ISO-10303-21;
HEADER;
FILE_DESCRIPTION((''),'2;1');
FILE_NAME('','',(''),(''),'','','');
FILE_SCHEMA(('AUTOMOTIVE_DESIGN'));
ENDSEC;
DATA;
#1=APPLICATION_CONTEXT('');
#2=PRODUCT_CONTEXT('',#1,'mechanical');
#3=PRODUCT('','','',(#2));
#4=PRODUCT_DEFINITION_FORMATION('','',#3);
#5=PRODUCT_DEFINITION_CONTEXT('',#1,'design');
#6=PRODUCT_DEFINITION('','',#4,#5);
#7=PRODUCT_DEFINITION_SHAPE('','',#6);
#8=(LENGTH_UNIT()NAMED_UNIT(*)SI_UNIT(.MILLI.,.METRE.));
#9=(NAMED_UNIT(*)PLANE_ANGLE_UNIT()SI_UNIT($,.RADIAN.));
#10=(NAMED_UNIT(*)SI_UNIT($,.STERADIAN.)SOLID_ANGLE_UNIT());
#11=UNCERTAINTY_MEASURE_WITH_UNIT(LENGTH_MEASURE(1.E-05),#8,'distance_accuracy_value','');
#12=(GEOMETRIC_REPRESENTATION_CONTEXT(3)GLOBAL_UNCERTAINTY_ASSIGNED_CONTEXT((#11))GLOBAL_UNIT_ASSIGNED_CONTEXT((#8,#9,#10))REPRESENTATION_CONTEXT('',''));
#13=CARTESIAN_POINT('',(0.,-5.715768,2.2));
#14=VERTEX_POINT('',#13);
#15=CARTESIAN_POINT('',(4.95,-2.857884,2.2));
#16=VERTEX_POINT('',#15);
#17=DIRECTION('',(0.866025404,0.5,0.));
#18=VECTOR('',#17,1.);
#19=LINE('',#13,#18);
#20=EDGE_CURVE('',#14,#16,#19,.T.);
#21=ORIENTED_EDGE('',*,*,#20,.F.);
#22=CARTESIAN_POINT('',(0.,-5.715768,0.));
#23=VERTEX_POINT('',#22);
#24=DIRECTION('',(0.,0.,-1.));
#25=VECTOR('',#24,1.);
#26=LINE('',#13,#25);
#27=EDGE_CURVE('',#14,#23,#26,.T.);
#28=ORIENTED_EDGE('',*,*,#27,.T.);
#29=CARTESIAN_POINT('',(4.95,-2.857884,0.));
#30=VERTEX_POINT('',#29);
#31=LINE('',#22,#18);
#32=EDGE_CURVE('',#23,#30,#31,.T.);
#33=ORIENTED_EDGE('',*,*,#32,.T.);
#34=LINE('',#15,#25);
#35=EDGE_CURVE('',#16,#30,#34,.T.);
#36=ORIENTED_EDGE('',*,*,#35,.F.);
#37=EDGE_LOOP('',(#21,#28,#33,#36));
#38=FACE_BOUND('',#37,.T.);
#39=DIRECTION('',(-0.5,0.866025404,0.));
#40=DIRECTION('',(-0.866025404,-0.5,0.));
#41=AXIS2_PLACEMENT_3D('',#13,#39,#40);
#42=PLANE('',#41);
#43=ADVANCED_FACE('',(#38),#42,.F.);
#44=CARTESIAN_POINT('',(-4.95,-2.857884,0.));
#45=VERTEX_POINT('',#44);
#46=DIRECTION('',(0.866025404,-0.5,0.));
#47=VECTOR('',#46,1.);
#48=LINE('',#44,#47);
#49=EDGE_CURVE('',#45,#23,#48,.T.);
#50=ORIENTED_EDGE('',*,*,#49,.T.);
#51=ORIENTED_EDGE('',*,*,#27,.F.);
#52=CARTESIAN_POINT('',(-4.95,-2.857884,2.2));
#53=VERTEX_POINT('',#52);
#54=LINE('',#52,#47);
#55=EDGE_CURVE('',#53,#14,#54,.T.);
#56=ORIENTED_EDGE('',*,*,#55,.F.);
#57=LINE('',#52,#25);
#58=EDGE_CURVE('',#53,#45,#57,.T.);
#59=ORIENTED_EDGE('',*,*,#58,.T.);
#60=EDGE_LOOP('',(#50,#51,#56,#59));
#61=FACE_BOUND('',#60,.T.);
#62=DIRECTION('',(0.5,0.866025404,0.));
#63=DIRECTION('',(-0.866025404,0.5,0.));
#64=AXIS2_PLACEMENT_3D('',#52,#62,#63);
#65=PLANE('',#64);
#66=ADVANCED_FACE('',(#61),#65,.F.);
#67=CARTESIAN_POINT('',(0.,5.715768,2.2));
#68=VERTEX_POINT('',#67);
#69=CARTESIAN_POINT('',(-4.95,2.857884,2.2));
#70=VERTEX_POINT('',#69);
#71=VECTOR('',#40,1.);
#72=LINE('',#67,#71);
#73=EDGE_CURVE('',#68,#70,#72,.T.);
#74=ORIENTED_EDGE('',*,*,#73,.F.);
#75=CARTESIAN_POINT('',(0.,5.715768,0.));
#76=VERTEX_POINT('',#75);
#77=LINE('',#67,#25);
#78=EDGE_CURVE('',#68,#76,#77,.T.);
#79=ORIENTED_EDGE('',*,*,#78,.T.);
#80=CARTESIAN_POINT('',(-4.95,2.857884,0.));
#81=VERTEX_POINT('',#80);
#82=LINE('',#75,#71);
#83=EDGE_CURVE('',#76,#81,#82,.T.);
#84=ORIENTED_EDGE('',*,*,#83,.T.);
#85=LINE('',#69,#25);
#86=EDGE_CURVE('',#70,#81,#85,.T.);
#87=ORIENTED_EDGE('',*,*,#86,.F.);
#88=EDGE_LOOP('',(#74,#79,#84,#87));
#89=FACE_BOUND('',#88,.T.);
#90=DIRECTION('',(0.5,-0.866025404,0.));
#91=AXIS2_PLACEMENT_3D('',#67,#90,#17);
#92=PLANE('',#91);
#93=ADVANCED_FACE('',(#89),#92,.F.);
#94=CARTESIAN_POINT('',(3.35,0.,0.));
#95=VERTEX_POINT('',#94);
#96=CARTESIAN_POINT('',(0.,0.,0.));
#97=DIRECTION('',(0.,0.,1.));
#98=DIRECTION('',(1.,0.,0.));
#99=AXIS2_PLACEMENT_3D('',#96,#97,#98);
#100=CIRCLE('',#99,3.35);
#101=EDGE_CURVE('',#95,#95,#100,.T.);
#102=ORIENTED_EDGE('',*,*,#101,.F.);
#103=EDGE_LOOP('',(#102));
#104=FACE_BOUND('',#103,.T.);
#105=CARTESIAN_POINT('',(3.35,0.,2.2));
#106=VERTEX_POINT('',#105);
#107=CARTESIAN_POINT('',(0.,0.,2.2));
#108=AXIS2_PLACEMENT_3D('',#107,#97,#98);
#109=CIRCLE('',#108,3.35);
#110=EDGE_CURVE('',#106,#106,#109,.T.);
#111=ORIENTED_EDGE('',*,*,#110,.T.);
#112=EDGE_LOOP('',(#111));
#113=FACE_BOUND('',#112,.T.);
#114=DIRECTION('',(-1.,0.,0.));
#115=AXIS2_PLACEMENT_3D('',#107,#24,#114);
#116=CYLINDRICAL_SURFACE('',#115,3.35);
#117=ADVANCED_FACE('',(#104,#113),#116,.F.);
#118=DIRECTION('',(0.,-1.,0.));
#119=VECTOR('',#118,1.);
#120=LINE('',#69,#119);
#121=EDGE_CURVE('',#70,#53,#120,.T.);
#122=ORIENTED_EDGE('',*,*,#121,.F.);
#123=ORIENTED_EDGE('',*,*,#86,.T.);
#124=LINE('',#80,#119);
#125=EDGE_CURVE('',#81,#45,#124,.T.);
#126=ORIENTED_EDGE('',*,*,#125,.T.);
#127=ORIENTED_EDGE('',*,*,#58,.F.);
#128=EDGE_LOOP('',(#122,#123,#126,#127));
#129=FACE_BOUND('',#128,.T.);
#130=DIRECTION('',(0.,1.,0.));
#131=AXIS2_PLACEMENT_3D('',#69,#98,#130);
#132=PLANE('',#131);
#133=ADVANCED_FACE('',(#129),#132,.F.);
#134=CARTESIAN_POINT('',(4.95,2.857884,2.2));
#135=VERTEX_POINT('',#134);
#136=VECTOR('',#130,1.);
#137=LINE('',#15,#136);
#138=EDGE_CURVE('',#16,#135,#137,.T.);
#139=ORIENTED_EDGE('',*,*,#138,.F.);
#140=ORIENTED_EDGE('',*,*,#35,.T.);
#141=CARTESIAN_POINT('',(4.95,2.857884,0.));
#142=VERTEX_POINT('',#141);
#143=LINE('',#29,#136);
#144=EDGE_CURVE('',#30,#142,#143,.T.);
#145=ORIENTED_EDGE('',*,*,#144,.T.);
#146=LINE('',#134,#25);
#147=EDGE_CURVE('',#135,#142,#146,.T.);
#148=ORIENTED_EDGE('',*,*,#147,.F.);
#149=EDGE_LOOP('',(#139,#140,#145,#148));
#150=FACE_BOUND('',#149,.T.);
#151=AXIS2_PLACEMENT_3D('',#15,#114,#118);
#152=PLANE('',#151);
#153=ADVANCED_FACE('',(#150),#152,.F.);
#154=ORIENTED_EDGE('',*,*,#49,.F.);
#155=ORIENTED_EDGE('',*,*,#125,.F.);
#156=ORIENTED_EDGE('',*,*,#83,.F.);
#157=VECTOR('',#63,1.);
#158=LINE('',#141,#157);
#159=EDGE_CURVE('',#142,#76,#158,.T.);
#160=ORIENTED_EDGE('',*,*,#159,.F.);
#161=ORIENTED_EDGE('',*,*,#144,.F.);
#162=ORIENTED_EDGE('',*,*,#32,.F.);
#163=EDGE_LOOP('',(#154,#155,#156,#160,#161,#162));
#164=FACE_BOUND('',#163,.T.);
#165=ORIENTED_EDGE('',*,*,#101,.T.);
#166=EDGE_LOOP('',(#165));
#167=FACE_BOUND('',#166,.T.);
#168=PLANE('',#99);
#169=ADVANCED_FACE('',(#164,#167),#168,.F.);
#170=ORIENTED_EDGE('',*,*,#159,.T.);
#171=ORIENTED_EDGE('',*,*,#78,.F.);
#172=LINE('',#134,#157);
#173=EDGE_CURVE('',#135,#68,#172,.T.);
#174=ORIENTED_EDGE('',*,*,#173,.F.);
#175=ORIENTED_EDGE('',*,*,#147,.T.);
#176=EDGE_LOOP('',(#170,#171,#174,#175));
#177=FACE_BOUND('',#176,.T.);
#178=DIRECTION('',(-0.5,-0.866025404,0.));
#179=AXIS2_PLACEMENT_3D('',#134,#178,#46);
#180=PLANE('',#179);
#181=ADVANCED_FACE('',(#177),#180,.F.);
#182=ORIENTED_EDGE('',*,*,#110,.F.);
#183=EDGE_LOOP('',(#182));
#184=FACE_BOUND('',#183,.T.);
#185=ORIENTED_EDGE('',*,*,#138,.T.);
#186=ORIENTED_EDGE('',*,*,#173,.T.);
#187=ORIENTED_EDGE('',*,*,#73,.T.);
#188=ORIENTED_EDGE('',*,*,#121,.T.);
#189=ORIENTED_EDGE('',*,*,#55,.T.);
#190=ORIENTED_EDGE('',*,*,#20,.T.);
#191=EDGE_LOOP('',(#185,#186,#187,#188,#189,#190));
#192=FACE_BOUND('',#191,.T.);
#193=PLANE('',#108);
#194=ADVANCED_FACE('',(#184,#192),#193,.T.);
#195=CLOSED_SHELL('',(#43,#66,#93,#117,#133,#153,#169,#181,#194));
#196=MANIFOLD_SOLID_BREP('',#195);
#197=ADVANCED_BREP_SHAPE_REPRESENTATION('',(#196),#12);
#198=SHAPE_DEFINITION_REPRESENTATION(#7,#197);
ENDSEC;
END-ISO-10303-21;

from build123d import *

# Parameters (mm, degrees)
SKETCH1_R           = 3.35
BOSS_EXTRUDE1_DEPTH = 2.2


with BuildPart() as part:
    # Sketch1 → Boss-Extrude1 (new body)
    with BuildSketch(Plane.XY):
        Polygon((4.95, 2.857883832), (0, 5.715767665), (-4.95, 2.857883832), (-4.95, -2.857883832), (0, -5.715767665), (4.95, -2.857883832), align=None)
        Circle(SKETCH1_R, mode=Mode.SUBTRACT)
    extrude(amount=BOSS_EXTRUDE1_DEPTH)


solid = part.part
